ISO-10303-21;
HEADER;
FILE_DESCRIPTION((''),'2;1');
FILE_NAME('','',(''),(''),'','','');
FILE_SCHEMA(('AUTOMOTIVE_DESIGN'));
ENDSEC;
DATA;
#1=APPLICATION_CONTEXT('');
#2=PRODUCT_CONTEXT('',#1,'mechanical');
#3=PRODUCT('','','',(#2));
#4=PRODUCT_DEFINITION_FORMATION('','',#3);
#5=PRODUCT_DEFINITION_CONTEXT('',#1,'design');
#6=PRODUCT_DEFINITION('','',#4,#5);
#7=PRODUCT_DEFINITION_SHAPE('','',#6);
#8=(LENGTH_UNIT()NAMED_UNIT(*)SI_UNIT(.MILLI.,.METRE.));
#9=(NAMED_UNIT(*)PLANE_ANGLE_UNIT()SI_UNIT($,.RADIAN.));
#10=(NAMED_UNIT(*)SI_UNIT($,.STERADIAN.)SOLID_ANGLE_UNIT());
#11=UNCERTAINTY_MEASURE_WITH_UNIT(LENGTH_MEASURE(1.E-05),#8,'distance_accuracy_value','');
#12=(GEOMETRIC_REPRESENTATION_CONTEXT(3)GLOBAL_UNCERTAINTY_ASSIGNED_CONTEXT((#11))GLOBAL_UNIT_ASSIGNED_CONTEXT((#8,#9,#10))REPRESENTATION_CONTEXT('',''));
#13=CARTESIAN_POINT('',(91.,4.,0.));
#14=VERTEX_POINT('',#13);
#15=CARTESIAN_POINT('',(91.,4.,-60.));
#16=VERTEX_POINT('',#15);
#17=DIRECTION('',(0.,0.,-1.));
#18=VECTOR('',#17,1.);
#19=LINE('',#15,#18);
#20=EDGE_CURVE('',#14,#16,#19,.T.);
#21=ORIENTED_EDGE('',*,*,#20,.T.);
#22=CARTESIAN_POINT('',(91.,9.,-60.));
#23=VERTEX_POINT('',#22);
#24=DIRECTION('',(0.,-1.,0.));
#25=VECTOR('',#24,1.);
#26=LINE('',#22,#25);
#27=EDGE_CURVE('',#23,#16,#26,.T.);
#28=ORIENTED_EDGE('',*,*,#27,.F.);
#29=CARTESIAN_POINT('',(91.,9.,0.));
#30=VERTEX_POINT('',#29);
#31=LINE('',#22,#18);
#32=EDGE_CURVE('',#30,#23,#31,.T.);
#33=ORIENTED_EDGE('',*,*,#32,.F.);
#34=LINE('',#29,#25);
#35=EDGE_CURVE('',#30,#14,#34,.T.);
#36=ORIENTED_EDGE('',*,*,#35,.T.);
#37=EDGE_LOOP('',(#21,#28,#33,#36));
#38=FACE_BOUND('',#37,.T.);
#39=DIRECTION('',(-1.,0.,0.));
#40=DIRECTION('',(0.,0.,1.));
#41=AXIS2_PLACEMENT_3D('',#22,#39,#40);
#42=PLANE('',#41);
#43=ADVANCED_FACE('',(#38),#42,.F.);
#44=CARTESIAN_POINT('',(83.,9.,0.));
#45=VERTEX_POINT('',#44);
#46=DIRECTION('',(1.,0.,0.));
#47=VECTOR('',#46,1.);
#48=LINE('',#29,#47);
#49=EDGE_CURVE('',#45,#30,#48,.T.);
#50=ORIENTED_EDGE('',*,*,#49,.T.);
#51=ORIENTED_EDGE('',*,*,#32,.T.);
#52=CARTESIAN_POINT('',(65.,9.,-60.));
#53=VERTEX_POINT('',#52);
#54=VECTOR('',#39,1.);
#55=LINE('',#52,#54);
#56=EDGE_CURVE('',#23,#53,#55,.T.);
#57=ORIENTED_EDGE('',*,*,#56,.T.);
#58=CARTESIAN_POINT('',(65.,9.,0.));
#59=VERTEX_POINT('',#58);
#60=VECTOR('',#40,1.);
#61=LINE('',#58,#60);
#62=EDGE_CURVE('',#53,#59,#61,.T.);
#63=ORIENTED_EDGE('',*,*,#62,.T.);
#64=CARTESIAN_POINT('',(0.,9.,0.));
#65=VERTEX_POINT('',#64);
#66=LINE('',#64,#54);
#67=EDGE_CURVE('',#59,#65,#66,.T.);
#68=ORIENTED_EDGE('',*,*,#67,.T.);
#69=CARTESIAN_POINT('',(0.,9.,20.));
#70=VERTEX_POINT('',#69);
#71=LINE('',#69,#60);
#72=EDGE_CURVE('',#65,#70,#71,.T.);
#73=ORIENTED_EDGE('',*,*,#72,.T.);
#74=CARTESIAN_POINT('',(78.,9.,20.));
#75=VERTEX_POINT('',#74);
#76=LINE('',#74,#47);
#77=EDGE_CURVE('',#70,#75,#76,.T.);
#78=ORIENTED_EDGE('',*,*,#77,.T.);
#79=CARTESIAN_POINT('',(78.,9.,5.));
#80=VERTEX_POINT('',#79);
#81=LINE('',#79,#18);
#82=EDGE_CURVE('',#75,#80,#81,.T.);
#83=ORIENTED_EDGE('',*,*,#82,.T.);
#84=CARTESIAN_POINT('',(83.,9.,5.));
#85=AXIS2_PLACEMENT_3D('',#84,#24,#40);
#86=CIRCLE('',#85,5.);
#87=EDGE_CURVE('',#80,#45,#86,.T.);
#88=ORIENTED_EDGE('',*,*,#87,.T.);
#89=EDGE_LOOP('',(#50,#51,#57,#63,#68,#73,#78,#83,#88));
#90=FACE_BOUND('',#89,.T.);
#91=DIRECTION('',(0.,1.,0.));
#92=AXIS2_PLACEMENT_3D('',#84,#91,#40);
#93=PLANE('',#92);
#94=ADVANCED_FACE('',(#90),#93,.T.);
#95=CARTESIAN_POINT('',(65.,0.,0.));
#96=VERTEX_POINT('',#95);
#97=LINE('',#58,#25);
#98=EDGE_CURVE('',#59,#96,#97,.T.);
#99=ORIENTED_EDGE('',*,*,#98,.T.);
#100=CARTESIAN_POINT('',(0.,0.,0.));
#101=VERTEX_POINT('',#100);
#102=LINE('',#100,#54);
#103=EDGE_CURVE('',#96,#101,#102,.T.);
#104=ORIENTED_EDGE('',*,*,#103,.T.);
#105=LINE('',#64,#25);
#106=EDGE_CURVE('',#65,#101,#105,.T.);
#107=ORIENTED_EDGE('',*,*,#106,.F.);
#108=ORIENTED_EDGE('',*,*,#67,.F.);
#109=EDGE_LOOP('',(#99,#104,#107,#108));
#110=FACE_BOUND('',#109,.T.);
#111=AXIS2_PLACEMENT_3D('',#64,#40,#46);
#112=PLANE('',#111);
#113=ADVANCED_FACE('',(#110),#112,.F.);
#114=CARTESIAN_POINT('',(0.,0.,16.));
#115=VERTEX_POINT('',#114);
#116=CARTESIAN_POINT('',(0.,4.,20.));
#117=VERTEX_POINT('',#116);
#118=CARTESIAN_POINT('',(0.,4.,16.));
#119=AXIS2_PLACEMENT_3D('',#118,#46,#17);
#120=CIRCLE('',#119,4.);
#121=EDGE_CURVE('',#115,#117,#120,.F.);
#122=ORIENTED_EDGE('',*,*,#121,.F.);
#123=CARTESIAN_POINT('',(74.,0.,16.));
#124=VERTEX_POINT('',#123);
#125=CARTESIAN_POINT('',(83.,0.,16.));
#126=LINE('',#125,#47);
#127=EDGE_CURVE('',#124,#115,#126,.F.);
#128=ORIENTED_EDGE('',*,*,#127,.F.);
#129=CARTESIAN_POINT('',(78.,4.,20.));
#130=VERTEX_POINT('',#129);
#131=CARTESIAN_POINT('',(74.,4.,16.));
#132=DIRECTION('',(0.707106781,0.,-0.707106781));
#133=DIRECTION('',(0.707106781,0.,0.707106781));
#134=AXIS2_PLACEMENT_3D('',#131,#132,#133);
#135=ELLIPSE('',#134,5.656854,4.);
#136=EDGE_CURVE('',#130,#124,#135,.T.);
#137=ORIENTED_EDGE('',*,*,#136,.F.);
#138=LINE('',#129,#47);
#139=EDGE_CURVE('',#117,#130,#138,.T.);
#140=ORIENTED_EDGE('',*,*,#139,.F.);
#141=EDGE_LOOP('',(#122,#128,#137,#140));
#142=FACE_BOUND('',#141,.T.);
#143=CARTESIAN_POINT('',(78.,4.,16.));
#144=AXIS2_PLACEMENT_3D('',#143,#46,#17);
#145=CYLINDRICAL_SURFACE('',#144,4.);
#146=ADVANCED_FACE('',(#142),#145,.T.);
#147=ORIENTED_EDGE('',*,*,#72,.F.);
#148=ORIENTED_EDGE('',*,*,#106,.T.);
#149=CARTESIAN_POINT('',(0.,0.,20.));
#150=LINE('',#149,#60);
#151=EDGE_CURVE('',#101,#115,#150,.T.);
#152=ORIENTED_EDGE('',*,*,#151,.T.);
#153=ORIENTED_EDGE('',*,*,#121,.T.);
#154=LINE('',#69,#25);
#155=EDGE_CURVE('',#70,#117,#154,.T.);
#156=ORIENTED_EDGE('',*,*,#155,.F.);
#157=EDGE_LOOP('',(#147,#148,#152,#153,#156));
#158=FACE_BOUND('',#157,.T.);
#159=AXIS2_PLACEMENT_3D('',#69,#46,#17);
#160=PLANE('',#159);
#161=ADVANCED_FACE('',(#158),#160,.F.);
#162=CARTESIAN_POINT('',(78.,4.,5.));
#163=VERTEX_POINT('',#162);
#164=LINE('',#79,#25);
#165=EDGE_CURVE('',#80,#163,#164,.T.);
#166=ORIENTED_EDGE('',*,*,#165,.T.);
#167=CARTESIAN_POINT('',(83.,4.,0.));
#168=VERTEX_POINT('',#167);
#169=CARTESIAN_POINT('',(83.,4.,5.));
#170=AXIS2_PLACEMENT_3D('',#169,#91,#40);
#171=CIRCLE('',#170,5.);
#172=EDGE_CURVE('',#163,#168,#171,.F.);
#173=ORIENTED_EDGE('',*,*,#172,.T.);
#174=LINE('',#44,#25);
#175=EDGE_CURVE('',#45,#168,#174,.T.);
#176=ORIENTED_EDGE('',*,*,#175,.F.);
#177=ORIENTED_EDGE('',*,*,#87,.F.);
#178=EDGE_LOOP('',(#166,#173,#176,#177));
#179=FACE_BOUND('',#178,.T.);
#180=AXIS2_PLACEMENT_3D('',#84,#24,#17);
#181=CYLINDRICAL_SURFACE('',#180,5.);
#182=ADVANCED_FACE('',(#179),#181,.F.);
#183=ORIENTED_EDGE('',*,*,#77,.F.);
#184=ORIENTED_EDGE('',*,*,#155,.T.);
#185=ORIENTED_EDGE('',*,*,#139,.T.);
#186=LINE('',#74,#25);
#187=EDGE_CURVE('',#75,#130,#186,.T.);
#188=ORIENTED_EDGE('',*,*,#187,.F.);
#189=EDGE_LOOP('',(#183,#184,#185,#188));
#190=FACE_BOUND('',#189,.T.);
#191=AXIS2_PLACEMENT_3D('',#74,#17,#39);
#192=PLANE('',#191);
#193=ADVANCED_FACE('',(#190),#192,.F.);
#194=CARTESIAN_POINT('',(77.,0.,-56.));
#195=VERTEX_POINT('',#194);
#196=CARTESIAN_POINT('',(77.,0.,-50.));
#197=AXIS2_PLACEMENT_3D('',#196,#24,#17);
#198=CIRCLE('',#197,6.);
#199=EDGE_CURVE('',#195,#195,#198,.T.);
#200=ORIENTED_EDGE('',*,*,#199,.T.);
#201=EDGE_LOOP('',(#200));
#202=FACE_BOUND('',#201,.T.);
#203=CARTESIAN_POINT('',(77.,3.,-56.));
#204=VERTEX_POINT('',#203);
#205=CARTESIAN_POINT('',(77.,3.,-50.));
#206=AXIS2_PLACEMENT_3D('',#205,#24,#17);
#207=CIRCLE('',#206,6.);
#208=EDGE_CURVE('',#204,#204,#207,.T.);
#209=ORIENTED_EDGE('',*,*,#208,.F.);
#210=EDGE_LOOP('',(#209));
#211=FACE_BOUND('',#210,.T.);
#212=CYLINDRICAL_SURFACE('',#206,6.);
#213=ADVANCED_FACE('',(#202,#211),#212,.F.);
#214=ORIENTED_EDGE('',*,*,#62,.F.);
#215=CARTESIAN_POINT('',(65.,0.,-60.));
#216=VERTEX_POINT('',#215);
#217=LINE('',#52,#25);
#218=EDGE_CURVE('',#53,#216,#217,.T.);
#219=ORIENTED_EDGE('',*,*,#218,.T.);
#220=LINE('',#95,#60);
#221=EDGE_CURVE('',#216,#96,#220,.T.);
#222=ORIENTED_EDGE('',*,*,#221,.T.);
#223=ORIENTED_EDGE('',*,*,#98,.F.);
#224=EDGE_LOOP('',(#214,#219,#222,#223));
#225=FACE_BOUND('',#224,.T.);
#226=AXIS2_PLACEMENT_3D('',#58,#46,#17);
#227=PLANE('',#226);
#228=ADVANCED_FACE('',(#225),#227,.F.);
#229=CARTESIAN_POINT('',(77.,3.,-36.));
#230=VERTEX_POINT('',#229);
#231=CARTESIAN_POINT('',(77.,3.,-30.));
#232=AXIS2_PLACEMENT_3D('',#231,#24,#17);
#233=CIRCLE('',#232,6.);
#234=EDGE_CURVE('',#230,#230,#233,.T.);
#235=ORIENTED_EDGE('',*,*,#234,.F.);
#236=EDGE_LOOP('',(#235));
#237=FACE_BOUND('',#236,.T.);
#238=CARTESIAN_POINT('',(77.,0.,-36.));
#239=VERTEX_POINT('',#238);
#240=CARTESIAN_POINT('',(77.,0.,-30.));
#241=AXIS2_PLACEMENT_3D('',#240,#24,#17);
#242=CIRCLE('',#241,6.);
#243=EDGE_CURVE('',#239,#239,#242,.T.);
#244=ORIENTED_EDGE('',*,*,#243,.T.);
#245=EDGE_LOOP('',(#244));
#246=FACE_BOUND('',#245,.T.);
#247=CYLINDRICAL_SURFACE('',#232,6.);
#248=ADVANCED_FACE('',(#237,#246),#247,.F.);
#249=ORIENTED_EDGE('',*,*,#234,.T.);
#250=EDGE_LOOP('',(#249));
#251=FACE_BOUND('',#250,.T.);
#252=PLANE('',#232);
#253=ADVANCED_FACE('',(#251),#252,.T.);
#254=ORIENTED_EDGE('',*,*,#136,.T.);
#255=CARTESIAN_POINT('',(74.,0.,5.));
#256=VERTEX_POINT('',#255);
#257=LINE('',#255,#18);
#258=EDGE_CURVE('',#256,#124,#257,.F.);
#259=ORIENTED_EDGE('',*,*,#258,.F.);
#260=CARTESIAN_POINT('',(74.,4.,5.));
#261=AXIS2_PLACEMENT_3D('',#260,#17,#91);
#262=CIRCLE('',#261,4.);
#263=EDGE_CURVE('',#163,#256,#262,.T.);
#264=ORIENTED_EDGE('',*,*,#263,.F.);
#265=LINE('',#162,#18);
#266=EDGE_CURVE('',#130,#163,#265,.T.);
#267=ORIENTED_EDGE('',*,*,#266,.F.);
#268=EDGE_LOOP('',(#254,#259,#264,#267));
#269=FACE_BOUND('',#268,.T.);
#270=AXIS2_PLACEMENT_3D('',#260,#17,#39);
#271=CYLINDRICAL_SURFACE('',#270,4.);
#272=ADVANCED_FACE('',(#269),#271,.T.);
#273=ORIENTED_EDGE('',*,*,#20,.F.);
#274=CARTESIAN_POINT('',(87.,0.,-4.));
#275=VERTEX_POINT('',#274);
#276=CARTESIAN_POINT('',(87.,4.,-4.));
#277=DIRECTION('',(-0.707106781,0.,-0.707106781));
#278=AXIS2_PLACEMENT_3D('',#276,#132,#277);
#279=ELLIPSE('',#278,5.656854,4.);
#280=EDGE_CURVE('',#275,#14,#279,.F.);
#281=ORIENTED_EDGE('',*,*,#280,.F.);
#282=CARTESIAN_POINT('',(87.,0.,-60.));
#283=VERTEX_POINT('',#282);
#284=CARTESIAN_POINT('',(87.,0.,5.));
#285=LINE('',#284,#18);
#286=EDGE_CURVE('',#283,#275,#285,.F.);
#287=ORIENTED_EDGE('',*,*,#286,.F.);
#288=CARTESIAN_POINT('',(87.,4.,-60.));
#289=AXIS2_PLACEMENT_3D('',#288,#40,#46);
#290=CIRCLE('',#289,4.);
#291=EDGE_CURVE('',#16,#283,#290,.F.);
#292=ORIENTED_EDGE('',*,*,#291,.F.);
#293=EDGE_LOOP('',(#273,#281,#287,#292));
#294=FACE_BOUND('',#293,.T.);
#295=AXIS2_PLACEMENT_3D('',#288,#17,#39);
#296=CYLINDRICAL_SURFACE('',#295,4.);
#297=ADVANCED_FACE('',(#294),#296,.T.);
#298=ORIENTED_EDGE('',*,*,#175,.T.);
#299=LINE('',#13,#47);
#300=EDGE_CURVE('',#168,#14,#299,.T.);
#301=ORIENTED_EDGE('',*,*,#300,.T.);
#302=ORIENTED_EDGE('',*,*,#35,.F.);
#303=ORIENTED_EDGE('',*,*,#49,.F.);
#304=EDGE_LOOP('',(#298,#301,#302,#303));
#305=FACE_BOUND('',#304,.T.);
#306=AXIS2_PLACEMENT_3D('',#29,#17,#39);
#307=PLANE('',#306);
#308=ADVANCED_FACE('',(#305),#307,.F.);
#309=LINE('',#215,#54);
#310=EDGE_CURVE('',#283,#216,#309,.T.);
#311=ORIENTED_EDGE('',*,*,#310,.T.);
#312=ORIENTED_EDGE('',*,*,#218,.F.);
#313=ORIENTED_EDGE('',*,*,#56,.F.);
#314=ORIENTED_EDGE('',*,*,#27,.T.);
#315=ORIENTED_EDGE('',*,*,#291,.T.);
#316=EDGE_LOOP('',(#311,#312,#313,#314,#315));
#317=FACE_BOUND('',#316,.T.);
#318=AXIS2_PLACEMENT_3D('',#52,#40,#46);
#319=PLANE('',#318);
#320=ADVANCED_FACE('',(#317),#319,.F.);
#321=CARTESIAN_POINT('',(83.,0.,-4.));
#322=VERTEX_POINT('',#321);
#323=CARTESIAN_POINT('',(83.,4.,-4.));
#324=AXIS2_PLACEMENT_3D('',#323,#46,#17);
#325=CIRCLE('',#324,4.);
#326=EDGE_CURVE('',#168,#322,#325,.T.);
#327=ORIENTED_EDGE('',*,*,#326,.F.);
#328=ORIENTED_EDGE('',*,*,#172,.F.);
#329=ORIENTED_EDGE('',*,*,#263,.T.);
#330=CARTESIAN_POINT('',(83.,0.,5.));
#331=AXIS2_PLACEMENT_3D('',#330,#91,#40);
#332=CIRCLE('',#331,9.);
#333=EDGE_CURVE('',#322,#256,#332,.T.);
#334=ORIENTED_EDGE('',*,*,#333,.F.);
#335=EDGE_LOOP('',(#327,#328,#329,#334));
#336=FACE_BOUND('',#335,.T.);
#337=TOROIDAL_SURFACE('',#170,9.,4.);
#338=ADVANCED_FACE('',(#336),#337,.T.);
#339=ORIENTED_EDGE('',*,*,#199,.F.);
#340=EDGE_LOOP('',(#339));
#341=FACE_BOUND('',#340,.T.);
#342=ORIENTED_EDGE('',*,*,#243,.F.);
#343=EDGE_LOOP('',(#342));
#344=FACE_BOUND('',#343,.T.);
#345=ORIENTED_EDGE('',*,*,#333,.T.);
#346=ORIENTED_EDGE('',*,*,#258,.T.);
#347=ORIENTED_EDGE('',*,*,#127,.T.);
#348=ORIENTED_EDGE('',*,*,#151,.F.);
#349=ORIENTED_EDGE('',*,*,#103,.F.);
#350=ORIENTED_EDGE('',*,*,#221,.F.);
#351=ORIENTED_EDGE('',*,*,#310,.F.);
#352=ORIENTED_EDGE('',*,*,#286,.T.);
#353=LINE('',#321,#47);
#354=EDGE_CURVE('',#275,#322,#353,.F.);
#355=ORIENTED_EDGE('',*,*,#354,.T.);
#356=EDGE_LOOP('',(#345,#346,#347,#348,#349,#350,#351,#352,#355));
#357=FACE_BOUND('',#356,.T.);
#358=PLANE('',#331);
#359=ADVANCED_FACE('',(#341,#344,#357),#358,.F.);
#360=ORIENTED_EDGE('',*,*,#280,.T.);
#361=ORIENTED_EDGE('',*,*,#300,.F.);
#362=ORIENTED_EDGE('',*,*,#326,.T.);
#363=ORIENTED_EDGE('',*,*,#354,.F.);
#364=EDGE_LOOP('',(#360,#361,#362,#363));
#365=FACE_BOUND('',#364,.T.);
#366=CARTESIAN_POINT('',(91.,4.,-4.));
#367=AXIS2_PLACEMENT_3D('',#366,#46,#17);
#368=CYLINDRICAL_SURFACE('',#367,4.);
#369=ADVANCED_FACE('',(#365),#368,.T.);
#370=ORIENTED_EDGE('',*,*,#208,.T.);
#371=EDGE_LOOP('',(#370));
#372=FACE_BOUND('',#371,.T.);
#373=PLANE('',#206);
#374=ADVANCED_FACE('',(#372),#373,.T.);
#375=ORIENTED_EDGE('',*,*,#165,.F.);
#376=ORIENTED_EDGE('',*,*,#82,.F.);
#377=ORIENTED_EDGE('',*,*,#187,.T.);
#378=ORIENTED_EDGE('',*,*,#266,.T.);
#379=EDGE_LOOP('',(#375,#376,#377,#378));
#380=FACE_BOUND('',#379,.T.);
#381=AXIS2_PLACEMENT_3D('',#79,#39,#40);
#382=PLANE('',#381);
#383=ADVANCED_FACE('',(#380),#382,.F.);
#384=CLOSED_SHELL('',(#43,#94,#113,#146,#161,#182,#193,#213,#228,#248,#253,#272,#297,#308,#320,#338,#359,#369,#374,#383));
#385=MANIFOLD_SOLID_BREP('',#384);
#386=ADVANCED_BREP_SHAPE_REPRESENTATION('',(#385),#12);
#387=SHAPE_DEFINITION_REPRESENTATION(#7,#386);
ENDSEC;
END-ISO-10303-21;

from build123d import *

# Parameters (mm, degrees)
EXTRUDE_1_DEPTH     = 9
FILLET_1_R          = 4
SKETCH_2_R          = 6
CUT_EXTRUDE_1_DEPTH = 3


with BuildPart() as part:
    # 草圖1 → 填料-伸長1 (new body)
    with BuildSketch(Plane(origin=(0, 0, 0), x_dir=(1, 0, 0), z_dir=(0, 1, 0))):
        with BuildLine():
            Line((0, 0), (65, 0))
            Line((65, 0), (65, 60))
            Line((65, 60), (91, 60))
            Line((91, 60), (91, 0))
            Line((91, 0), (83, 0))
            ThreePointArc((83, 0), (79.464466094, -1.464466094), (78, -5))
            Line((78, -5), (78, -20))
            Line((78, -20), (0, -20))
            Line((0, -20), (0, 0))
        make_face()
    extrude(amount=EXTRUDE_1_DEPTH)

    # 圓角1
    fillet_1_edges = [part.edges().sort_by_distance(p)[0] for p in [
        (87, 0, 0),
        (79.464466094, 0, 1.464466094),
        (78, 0, 12.5),
        (39, 0, 20),
        (91, 0, -30),
    ]]
    fillet(fillet_1_edges, radius=FILLET_1_R)

    # 草圖2 → 除料-伸長1 (cut)
    with BuildSketch(Plane.XZ):
        with Locations(Location((77, -50, 0), (0, 0, 270))):
            Circle(SKETCH_2_R)
        with Locations(Location((77, -30, 0), (0, 0, 270))):
            Circle(SKETCH_2_R)
    extrude(amount=-CUT_EXTRUDE_1_DEPTH, mode=Mode.SUBTRACT)


solid = part.part
